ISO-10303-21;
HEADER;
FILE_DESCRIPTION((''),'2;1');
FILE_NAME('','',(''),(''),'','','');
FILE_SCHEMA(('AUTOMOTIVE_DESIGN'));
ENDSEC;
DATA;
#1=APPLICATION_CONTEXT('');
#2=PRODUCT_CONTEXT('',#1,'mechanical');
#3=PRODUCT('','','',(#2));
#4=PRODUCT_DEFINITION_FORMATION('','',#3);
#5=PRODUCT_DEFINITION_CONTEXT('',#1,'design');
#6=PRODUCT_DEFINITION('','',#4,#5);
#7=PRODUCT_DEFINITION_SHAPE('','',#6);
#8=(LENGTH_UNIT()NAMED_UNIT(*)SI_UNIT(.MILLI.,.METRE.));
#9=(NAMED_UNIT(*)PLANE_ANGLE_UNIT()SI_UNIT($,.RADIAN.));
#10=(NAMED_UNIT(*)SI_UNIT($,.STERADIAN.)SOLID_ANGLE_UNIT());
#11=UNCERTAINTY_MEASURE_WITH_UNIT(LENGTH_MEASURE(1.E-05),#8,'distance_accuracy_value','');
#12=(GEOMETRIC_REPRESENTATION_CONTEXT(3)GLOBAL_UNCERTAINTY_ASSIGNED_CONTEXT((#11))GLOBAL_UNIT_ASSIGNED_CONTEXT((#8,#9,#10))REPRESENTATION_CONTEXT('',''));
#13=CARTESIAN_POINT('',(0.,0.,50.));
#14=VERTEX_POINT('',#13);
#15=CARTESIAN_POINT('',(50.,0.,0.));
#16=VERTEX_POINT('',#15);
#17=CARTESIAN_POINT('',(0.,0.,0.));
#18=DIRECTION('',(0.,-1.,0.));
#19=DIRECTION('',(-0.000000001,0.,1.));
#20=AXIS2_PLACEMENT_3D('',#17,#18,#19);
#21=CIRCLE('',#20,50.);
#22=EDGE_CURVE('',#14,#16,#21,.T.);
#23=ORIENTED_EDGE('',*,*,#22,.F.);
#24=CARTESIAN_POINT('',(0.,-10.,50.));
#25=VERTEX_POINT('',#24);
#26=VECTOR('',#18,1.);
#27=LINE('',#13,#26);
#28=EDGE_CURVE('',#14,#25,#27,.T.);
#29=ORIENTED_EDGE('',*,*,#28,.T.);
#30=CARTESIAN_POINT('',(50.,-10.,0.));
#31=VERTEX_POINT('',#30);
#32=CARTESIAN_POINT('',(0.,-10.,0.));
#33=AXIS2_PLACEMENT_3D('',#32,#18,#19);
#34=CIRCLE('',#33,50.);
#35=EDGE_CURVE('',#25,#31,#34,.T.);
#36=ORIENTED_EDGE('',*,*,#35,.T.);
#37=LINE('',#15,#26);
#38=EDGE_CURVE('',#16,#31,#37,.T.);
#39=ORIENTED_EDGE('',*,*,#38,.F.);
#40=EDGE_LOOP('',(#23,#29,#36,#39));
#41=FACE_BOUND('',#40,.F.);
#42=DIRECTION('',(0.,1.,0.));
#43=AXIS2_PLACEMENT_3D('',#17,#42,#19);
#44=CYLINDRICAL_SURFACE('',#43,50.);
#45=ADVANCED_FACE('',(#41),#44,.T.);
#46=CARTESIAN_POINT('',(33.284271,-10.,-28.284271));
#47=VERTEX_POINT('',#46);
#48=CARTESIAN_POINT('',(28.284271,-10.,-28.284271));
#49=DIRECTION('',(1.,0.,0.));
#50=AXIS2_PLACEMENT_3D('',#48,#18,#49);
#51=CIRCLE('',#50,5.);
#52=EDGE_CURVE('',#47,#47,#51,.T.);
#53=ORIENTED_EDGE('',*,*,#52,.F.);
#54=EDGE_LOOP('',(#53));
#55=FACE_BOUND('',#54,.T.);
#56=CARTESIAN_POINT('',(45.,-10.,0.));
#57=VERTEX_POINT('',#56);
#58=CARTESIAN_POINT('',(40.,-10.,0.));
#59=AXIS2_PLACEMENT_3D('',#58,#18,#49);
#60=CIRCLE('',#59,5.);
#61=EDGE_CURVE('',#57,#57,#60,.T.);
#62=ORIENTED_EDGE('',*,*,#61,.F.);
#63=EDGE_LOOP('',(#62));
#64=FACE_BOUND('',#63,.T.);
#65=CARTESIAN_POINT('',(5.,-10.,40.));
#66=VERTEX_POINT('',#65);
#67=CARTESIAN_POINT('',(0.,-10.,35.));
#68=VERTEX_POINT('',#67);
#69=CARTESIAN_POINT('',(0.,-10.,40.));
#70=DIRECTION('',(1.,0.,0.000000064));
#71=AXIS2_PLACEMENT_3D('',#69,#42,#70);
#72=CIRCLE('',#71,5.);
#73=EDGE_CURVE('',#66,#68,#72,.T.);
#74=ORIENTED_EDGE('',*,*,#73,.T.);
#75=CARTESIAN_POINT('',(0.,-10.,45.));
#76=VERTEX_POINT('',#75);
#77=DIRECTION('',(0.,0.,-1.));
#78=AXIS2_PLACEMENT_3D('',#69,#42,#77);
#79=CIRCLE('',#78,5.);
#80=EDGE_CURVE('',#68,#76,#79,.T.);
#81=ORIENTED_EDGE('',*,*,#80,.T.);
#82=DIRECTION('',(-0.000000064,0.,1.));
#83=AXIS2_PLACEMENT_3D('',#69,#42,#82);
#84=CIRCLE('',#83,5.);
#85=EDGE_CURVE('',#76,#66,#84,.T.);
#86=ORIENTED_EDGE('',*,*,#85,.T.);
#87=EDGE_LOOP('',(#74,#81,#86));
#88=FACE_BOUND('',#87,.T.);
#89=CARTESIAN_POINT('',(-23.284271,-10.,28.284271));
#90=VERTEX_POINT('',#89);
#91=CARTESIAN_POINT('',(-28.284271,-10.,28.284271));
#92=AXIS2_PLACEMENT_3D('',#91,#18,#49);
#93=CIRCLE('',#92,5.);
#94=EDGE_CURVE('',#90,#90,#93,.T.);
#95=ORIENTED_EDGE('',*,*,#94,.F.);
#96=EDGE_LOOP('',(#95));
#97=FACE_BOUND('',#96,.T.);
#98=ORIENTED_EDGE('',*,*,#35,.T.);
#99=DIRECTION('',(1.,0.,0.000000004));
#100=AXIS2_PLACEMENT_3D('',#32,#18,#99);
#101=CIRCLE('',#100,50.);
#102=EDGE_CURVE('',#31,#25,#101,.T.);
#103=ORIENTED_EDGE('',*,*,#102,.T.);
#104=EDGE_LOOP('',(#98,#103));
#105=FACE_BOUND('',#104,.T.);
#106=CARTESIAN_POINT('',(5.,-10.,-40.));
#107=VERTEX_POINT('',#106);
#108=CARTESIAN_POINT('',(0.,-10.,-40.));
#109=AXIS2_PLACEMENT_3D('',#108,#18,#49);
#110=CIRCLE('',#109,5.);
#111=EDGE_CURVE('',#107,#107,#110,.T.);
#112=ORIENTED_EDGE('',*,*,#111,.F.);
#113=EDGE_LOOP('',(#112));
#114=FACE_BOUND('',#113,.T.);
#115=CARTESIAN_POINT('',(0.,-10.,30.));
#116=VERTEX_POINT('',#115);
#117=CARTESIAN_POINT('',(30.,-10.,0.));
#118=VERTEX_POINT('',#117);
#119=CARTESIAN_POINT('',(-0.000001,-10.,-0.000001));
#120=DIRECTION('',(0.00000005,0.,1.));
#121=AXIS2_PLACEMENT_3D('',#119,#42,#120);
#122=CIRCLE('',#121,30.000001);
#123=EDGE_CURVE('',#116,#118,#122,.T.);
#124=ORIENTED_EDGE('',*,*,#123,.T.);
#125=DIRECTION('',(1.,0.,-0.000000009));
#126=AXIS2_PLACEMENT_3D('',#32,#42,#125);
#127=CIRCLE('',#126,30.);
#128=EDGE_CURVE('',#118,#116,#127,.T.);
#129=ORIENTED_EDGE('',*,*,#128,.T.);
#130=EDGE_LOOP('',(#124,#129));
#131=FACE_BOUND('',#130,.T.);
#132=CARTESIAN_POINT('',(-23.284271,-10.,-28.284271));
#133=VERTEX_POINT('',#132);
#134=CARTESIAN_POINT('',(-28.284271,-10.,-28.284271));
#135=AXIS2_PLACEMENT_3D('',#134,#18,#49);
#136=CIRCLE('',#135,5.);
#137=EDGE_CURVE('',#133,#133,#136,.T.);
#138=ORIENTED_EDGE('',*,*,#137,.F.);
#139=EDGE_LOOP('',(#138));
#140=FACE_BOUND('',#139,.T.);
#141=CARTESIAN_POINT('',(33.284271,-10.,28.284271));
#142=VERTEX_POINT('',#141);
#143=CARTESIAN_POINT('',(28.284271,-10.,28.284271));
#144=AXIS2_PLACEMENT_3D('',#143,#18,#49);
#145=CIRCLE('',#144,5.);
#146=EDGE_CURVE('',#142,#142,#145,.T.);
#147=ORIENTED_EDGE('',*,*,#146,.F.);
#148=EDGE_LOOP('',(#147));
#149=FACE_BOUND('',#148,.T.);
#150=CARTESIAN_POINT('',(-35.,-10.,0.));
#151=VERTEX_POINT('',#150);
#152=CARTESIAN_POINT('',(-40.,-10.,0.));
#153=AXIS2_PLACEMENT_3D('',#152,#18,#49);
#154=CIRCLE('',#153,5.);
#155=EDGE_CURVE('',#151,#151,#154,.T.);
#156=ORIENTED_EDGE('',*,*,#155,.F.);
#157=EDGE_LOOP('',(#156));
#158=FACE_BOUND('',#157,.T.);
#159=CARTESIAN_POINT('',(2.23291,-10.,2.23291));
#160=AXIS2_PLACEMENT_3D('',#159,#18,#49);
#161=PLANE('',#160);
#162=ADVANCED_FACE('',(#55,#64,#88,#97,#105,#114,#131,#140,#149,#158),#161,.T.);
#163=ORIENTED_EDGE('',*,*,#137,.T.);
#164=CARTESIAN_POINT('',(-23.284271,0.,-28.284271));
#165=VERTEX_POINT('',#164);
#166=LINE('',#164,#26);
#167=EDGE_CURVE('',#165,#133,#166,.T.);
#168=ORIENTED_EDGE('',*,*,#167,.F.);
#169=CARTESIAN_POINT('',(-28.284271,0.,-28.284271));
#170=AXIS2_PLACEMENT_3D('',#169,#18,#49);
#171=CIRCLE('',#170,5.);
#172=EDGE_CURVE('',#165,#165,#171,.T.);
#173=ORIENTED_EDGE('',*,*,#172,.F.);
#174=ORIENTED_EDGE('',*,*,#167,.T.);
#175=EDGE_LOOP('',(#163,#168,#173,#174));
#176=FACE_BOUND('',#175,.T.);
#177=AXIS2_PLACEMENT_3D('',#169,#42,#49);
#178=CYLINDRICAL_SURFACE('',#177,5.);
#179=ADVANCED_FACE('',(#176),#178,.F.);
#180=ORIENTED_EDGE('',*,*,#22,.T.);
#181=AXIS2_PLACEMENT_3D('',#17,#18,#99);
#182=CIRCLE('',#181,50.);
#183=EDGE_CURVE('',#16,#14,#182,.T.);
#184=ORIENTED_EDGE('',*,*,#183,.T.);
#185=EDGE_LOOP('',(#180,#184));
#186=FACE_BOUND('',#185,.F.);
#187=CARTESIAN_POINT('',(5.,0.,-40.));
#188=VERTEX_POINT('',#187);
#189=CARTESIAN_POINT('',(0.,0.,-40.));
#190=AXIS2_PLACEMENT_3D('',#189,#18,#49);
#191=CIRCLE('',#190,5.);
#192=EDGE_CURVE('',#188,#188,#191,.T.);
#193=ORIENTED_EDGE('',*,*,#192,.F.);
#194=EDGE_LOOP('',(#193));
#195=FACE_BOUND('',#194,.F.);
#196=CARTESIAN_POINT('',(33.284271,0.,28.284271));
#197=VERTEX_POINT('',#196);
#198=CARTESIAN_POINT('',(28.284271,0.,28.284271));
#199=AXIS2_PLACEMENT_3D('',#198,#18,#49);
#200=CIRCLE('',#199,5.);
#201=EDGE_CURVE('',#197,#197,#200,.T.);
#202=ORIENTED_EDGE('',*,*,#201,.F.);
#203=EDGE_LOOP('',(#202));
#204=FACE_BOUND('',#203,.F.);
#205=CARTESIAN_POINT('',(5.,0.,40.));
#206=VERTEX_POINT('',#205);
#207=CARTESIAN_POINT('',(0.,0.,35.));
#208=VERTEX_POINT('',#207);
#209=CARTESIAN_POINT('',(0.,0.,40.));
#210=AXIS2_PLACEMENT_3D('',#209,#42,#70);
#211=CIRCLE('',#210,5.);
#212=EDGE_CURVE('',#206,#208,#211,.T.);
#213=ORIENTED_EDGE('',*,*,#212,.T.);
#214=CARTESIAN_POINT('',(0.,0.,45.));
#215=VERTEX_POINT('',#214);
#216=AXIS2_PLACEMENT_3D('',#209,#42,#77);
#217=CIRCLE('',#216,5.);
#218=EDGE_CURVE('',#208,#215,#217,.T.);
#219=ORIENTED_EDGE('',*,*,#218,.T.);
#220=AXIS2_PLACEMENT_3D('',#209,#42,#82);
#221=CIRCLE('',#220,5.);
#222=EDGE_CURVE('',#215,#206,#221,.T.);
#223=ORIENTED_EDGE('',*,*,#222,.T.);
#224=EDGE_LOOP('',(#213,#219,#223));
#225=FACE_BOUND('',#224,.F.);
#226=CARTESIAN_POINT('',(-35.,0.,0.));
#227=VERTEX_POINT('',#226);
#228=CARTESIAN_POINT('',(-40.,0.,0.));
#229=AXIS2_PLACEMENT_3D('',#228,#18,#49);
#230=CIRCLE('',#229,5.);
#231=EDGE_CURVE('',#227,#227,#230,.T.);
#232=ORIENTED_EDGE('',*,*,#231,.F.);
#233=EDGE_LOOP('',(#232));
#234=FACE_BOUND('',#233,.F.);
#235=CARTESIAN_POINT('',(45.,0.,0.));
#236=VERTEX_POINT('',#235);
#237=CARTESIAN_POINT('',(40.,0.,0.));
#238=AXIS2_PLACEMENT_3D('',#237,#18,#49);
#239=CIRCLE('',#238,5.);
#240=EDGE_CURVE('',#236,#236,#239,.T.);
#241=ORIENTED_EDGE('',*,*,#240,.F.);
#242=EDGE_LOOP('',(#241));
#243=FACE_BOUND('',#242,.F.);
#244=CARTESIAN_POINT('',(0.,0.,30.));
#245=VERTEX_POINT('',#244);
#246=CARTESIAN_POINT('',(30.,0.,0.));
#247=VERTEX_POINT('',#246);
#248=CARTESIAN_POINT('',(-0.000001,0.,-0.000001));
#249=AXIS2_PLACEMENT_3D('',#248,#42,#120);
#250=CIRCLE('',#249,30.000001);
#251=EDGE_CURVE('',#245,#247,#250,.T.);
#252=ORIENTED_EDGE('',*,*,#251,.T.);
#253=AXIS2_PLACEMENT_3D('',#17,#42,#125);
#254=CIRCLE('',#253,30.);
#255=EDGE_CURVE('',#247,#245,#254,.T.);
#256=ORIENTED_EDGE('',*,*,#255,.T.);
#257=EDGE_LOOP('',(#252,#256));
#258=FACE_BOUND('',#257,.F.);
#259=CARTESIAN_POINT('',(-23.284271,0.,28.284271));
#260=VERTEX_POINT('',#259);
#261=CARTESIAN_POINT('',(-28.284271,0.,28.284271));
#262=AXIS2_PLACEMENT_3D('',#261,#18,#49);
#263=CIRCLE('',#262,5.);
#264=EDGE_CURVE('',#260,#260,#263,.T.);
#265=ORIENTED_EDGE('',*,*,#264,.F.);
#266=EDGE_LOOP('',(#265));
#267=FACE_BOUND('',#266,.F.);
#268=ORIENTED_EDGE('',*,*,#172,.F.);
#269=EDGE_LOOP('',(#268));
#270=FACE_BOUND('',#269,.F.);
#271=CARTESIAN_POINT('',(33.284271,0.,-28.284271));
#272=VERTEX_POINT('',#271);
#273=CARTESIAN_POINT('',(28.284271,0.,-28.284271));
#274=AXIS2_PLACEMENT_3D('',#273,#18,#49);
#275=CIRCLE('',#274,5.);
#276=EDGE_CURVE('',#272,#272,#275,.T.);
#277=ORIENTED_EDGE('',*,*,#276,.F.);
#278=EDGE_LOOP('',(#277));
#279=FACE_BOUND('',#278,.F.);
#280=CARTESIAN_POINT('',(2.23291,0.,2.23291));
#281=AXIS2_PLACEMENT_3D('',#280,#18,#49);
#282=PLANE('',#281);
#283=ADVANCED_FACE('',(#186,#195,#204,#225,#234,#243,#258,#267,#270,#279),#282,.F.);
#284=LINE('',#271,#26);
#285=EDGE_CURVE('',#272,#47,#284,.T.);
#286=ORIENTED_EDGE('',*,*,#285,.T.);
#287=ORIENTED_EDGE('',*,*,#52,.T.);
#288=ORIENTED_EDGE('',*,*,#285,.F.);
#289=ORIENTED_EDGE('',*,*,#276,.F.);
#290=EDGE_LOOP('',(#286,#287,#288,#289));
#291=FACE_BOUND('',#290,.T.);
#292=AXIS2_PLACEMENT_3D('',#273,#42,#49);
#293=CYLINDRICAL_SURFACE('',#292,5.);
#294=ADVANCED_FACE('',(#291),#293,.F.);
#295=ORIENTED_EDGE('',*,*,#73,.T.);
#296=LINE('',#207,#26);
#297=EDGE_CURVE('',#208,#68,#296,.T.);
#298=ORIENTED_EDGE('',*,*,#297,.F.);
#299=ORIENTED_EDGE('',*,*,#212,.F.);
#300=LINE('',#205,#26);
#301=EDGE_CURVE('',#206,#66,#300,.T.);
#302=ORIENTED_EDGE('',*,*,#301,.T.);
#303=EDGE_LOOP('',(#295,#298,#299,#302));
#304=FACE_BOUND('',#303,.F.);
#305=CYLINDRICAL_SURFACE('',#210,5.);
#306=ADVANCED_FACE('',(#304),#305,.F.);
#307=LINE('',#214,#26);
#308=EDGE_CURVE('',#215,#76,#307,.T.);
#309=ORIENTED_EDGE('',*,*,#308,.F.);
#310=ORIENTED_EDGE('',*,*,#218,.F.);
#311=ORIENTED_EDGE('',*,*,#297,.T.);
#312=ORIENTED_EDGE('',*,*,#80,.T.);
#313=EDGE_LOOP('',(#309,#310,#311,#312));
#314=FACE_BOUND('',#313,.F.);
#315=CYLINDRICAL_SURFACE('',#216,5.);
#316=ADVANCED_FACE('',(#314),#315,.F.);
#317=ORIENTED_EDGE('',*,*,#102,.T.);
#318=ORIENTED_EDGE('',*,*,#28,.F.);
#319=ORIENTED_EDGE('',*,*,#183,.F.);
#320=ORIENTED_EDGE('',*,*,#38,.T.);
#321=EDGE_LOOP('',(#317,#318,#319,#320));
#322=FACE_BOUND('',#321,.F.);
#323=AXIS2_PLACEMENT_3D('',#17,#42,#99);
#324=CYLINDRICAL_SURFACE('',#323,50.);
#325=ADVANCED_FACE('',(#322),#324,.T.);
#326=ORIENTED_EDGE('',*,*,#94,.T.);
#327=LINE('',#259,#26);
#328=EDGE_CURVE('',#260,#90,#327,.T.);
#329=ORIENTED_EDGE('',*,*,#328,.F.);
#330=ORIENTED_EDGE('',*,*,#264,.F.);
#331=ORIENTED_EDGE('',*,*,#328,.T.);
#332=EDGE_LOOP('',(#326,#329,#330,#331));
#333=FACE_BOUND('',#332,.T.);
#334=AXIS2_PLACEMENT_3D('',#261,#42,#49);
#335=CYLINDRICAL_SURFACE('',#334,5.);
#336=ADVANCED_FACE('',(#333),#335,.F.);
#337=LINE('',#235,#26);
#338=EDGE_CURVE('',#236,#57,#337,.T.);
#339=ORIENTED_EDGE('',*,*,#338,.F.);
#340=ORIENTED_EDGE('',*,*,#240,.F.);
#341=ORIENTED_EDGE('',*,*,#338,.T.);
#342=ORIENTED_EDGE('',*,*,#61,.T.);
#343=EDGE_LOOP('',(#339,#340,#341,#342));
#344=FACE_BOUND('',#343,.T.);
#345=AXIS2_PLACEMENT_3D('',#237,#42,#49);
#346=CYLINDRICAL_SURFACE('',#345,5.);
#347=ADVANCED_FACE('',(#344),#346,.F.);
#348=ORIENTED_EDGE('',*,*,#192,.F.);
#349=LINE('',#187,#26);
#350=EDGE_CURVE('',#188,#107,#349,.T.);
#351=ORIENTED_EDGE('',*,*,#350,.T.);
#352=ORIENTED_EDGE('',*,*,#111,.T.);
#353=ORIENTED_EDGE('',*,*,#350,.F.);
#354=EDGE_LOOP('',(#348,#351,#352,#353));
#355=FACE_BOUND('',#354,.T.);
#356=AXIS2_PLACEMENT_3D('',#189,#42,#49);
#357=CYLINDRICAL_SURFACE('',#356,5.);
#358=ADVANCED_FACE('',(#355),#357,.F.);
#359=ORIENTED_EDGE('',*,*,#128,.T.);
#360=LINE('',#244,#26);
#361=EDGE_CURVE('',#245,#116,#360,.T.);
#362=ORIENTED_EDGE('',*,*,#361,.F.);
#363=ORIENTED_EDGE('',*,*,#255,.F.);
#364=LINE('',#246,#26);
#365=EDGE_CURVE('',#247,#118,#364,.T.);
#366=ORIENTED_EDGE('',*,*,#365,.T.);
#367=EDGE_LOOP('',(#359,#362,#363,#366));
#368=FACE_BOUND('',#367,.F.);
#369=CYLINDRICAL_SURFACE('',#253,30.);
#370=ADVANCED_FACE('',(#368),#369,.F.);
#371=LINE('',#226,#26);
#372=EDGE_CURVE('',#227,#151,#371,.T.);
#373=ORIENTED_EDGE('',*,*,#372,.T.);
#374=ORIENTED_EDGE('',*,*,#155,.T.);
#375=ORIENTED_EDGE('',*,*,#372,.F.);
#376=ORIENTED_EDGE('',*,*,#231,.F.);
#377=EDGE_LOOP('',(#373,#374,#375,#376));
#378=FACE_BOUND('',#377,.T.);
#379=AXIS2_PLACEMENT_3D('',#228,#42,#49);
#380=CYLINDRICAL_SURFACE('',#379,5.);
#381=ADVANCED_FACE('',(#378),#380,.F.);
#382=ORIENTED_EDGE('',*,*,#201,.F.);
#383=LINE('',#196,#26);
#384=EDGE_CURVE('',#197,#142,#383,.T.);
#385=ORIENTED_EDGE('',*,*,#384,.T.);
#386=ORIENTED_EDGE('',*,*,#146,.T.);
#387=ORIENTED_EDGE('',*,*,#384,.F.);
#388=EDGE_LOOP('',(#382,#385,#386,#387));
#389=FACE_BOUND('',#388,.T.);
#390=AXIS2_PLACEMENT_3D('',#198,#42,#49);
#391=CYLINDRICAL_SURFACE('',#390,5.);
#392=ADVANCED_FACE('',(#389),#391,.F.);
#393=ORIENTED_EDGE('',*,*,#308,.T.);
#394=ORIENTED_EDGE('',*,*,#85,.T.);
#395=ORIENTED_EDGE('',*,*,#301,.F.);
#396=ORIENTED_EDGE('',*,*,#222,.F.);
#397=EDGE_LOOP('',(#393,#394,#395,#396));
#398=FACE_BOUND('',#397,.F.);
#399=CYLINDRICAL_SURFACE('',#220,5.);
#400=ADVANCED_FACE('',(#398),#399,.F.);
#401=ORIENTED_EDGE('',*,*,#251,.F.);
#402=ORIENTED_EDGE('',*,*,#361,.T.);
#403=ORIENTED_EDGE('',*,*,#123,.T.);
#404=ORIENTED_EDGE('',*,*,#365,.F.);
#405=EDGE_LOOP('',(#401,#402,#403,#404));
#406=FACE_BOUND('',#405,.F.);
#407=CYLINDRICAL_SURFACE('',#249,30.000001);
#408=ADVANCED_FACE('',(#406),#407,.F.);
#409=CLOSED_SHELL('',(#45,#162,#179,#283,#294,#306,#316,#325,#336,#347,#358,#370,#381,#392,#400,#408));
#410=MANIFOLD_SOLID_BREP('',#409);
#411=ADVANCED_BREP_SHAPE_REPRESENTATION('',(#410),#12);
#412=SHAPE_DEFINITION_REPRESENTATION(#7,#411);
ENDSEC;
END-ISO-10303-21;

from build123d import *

# Parameters (mm, degrees)
F0_R     = 5
F1_DEPTH = 10


with BuildPart() as f1:
    # F0 (on Front) → F1 (new body)
    with BuildSketch(Plane.XZ):
        with BuildLine():
            ThreePointArc((0, 50), (-35.355339, -35.355339), (50, 0))
            ThreePointArc((50, 0), (35.355339, 35.355339), (0, 50))
        make_face()
        with Locations((-28.284271, -28.284271)):
            Circle(F0_R, mode=Mode.SUBTRACT)
        with Locations((0, -40)):
            Circle(F0_R, mode=Mode.SUBTRACT)
        with Locations((28.284271, -28.284271)):
            Circle(F0_R, mode=Mode.SUBTRACT)
        with Locations((-40, 0)):
            Circle(F0_R, mode=Mode.SUBTRACT)
        with Locations((-28.284271, 28.284271)):
            Circle(F0_R, mode=Mode.SUBTRACT)
        with BuildLine():
            ThreePointArc((30, 0), (-21.213203, -21.213203), (0, 30))
            ThreePointArc((0, 30), (21.213203, 21.213203), (30, 0))
        make_face(mode=Mode.SUBTRACT)
        with Locations((40, 0)):
            Circle(F0_R, mode=Mode.SUBTRACT)
        with BuildLine():
            ThreePointArc((0, 35), (-5, 40), (0, 45))
            ThreePointArc((0, 45), (3.535534, 43.535534), (5, 40))
            ThreePointArc((5, 40), (3.535534, 36.464466), (0, 35))
        make_face(mode=Mode.SUBTRACT)
        with Locations((28.284271, 28.284271)):
            Circle(F0_R, mode=Mode.SUBTRACT)
    extrude(amount=F1_DEPTH)


solid = f1.part
